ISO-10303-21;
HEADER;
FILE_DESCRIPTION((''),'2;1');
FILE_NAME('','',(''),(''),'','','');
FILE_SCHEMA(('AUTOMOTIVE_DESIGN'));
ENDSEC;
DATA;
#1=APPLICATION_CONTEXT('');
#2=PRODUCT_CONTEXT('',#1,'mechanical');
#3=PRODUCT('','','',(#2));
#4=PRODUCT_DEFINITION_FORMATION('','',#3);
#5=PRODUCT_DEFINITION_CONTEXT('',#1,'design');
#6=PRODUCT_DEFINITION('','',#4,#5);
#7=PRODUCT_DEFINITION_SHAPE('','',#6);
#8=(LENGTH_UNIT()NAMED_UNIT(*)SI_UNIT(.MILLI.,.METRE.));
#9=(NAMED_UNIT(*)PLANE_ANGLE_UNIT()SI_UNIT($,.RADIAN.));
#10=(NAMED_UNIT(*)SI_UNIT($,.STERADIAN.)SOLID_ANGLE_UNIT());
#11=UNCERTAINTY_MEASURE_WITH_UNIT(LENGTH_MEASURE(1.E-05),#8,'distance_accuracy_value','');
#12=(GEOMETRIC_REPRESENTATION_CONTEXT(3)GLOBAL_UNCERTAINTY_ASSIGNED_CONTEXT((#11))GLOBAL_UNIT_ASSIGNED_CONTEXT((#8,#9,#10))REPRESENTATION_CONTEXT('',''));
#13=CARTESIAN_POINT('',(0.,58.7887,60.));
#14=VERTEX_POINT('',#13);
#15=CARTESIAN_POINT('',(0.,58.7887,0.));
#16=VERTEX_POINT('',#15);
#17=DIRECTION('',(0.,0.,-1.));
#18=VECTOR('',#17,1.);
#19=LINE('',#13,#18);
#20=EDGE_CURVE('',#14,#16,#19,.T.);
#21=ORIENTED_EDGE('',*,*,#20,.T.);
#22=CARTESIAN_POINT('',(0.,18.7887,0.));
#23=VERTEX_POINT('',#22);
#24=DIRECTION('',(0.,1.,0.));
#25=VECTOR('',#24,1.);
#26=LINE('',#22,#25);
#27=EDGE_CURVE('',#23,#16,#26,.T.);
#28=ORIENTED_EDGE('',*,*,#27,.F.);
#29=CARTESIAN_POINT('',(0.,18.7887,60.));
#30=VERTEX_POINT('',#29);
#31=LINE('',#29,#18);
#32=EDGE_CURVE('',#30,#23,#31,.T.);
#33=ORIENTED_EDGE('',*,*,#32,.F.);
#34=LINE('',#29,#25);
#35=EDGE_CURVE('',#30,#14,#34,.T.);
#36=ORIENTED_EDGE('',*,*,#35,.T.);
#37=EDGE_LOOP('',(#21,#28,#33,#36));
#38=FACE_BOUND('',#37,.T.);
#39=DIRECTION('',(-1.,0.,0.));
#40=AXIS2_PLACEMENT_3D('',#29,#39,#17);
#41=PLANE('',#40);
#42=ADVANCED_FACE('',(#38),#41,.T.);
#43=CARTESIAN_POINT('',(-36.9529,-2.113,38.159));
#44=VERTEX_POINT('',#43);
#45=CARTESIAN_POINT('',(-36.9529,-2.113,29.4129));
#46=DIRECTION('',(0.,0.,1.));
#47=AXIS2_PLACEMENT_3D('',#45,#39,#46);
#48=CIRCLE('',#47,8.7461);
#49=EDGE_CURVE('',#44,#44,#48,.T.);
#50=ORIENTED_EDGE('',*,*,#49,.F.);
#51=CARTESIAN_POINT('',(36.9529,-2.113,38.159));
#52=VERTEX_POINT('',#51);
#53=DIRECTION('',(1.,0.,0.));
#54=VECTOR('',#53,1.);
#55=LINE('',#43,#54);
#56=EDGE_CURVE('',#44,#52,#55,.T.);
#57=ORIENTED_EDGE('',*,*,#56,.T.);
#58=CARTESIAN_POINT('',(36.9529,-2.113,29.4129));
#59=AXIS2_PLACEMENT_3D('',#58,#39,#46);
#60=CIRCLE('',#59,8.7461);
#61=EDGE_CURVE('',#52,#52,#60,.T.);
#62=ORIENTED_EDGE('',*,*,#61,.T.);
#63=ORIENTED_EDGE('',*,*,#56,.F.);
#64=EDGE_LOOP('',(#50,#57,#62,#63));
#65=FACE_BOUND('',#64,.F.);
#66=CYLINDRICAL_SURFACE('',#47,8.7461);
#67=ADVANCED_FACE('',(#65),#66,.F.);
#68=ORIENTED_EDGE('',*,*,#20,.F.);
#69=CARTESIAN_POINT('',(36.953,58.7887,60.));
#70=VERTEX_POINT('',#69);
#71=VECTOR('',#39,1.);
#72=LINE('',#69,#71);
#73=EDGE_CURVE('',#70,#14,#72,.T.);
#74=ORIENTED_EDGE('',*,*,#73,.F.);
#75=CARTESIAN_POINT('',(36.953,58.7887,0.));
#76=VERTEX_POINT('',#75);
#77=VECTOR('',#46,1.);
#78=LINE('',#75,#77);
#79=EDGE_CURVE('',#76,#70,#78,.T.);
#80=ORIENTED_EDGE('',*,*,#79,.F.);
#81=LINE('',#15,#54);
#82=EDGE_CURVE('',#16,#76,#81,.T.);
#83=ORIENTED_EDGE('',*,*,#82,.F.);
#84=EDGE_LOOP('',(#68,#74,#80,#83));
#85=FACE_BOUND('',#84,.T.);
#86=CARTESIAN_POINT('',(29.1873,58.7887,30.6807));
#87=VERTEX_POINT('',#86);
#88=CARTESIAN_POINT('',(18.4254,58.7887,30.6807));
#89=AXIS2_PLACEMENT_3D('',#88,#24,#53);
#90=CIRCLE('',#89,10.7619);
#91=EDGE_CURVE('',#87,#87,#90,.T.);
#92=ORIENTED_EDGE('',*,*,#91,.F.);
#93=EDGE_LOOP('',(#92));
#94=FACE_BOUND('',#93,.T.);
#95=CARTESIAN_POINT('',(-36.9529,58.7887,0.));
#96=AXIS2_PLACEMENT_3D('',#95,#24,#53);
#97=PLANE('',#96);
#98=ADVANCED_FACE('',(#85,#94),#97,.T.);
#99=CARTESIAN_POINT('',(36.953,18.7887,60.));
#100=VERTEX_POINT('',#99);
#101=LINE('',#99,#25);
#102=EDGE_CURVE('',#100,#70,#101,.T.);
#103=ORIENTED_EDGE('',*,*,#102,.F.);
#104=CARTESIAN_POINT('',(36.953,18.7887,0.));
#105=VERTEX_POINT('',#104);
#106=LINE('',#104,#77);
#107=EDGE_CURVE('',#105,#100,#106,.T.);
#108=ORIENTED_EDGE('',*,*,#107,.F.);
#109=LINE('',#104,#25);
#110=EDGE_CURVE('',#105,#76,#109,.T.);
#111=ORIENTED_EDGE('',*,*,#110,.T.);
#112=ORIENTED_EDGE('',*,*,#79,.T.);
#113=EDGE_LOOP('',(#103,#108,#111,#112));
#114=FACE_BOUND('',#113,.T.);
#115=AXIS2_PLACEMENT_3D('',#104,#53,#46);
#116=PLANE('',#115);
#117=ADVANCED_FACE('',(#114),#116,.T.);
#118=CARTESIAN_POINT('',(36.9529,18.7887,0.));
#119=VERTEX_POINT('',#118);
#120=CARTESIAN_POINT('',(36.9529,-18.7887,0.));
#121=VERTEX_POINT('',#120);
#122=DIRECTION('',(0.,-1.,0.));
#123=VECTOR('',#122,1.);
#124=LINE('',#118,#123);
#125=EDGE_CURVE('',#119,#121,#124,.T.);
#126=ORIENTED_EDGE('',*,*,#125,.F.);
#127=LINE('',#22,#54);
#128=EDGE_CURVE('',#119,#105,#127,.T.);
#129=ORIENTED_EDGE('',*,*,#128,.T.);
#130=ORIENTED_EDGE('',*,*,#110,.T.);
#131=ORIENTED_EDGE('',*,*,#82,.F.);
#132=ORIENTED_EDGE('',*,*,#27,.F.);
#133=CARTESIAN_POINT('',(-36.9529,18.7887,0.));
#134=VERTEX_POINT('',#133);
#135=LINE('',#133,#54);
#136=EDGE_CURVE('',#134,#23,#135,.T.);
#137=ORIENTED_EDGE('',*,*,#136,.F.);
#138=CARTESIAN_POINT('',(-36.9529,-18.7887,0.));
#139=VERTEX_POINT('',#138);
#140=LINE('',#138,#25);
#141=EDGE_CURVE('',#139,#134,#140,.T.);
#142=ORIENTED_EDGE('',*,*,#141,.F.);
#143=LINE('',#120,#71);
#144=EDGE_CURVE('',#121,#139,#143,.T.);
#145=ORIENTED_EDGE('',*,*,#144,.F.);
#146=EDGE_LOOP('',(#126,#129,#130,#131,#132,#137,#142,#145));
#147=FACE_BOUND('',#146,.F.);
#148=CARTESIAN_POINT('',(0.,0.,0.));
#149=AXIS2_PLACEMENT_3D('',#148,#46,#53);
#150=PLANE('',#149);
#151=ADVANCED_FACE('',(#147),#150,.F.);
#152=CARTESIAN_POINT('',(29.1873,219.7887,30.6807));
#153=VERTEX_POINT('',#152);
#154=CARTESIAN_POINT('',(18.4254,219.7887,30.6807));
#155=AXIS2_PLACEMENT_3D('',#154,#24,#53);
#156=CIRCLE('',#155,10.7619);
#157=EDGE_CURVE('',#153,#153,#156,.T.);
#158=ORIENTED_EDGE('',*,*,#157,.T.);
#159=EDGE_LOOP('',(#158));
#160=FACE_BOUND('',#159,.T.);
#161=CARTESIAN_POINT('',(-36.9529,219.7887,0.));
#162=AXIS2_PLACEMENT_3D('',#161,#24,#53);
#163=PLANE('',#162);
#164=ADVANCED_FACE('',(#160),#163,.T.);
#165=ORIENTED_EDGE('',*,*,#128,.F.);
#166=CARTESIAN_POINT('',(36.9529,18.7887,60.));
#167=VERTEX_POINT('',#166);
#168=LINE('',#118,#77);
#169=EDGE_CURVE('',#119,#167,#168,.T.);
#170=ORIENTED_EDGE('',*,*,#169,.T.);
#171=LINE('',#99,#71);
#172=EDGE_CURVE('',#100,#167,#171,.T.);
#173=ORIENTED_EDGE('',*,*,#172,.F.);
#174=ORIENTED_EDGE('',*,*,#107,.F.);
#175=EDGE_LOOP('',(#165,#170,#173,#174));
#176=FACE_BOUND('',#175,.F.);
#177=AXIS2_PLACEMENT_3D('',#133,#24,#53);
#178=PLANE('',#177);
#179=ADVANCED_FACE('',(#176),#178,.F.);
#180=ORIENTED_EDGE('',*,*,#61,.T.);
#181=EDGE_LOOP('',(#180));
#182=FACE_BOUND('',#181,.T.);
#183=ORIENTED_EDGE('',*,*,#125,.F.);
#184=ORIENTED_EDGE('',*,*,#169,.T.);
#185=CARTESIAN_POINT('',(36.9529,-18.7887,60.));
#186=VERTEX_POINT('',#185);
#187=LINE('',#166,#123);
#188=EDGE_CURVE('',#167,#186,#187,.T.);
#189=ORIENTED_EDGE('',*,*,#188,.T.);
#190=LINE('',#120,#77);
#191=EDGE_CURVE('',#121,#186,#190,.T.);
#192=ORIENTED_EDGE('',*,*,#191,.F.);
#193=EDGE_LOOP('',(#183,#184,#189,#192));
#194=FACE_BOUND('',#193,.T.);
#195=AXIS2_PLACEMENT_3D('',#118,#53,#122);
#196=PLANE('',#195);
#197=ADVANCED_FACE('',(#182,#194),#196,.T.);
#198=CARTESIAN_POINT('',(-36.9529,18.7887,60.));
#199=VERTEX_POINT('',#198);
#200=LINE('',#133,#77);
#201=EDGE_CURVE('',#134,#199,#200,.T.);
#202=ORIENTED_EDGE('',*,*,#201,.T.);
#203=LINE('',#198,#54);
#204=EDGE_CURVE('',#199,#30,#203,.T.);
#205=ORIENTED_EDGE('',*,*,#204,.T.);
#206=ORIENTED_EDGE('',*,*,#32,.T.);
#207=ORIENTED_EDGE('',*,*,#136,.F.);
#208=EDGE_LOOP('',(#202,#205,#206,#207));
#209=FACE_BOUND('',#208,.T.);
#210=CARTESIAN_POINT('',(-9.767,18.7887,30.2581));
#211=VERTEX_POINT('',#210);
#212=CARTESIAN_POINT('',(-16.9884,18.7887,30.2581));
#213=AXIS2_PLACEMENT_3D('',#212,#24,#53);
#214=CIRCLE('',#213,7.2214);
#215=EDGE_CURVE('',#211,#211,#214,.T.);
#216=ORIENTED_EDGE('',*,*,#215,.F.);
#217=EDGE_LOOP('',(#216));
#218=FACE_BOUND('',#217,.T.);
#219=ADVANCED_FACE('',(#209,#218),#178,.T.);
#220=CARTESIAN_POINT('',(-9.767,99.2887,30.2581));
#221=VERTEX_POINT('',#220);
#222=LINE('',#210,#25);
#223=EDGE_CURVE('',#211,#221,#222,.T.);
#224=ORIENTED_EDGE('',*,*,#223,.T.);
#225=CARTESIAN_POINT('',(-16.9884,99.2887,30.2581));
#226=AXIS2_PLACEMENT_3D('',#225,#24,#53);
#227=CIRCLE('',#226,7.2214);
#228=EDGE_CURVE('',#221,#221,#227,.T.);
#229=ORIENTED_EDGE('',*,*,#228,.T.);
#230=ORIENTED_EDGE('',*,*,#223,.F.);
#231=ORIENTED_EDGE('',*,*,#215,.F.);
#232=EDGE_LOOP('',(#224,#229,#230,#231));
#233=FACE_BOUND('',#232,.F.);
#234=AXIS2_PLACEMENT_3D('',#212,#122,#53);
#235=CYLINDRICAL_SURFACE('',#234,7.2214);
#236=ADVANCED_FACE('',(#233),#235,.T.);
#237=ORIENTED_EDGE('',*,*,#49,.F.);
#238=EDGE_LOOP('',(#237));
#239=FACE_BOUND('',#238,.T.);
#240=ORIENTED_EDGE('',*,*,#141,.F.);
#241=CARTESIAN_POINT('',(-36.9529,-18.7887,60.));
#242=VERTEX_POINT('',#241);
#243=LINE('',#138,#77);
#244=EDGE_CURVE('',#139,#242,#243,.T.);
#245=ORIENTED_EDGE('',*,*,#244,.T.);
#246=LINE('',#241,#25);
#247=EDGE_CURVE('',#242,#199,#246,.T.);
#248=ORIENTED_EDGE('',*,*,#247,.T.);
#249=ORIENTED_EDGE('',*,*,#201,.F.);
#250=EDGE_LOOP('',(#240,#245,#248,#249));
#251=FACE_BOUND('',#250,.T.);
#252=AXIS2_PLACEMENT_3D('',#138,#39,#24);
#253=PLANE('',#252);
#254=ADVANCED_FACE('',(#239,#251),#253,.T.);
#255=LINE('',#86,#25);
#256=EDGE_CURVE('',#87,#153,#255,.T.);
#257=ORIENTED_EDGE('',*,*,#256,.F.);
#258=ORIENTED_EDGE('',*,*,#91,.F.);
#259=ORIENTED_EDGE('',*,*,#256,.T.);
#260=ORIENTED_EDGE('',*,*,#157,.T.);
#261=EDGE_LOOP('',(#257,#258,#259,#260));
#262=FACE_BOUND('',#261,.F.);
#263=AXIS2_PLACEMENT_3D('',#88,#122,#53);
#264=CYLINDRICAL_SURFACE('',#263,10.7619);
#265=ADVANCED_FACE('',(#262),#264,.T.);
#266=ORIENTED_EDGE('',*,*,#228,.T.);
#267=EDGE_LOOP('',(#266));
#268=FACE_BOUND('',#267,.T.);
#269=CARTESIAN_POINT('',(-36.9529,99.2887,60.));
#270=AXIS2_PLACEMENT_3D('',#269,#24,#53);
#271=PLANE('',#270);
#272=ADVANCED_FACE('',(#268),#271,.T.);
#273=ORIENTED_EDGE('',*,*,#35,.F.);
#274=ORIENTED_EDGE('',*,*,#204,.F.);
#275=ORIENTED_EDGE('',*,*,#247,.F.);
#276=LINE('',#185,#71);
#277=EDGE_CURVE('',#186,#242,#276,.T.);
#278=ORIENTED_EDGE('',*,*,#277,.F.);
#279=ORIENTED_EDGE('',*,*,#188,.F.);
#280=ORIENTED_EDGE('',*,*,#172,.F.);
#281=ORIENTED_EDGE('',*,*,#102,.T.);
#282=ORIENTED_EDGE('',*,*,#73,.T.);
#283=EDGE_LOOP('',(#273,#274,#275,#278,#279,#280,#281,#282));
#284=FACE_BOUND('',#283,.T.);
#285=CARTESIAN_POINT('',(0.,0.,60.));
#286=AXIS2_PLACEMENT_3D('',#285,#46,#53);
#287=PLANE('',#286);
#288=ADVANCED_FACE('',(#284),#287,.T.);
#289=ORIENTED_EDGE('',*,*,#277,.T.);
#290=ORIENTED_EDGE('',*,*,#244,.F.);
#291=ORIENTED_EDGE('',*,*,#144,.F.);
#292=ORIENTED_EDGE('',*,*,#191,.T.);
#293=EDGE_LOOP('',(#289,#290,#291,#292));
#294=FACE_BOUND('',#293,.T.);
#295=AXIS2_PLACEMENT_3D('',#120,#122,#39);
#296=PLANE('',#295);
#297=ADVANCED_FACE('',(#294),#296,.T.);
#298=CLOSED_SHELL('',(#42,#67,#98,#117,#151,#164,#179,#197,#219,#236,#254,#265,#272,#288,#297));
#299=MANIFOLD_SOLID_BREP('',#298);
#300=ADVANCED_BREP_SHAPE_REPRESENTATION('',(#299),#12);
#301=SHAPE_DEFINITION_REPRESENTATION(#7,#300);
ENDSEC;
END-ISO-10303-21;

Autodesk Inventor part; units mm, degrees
ref_plane "YZ Plane" through (0, 0, 0) normal (1, 0, 0) x (0, 1, 0)
ref_plane "XZ Plane" through (0, 0, 0) normal (0, 1, 0) x (-1, 0, 0)
ref_plane "XY Plane" through (0, 0, 0) normal (0, 0, 1) x (1, 0, 0)
sketch "스케치1" plane through (0, 0, 0) normal (0, 0, 1) x (1, 0, 0)
  line L0 (36.9529, -18.7887) -> (-36.9529, -18.7887)
  line L1 (-36.9529, -18.7887) -> (-36.9529, 18.7887)
  line L2 (-36.9529, 18.7887) -> (36.9529, 18.7887)
  line L3 (36.9529, 18.7887) -> (36.9529, -18.7887)
  line L4 (36.9529, -18.7887) -> (-36.9529, 18.7887) construction
  line L5 (-36.9529, -18.7887) -> (36.9529, 18.7887) construction
  point P0 (0, 0)
extrude "돌출1" add sketch "스케치1" along normal blind 60
sketch "스케치2" plane through (-36.9529, 18.7887, 0) normal (0, 1, 0) x (1, 0, 0)
  line L0 (73.9059, 0) -> (73.9059, -60) projected
  line L1 (36.9529, 0) -> (73.9059, 0)
  line L2 (73.9059, 0) -> (73.9059, -60)
  line L3 (73.9059, -60) -> (36.9529, -60)
  line L4 (36.9529, -60) -> (36.9529, 0)
  circle A0 centre (55.4294, -30) radius 7.9669
extrude "돌출2" add sketch "스케치2" along normal blind 40 contours L0 L3 L4 L1 | A0
sketch "스케치3" plane through (-36.9529, 18.7887, 60) normal (0, 1, 0) x (1, 0, 0)
  circle A0 centre (19.9645, 29.7419) radius 7.2214
  point P0 (36.9529, 60)
extrude "돌출3" add sketch "스케치3" along normal blind 80.5
sketch "스케치4" plane through (-36.9529, 58.7887, 0) normal (0, 1, 0) x (1, 0, 0)
  circle A0 centre (55.3783, -30.6807) radius 10.7619
  point P0 (36.9529, 0)
extrude "돌출4" add sketch "스케치4" along normal blind 161
sketch "스케치5" plane through (-36.9529, -18.7887, 0) normal (-1, 0, 0) x (0, 0, 1)
  circle A0 centre (29.4129, 16.6757) radius 8.7461
  point P0 (0, 18.7887)
extrude "돌출5" cut sketch "스케치5" against normal blind 80.5
properties part number "240503_3Dsketch01"
